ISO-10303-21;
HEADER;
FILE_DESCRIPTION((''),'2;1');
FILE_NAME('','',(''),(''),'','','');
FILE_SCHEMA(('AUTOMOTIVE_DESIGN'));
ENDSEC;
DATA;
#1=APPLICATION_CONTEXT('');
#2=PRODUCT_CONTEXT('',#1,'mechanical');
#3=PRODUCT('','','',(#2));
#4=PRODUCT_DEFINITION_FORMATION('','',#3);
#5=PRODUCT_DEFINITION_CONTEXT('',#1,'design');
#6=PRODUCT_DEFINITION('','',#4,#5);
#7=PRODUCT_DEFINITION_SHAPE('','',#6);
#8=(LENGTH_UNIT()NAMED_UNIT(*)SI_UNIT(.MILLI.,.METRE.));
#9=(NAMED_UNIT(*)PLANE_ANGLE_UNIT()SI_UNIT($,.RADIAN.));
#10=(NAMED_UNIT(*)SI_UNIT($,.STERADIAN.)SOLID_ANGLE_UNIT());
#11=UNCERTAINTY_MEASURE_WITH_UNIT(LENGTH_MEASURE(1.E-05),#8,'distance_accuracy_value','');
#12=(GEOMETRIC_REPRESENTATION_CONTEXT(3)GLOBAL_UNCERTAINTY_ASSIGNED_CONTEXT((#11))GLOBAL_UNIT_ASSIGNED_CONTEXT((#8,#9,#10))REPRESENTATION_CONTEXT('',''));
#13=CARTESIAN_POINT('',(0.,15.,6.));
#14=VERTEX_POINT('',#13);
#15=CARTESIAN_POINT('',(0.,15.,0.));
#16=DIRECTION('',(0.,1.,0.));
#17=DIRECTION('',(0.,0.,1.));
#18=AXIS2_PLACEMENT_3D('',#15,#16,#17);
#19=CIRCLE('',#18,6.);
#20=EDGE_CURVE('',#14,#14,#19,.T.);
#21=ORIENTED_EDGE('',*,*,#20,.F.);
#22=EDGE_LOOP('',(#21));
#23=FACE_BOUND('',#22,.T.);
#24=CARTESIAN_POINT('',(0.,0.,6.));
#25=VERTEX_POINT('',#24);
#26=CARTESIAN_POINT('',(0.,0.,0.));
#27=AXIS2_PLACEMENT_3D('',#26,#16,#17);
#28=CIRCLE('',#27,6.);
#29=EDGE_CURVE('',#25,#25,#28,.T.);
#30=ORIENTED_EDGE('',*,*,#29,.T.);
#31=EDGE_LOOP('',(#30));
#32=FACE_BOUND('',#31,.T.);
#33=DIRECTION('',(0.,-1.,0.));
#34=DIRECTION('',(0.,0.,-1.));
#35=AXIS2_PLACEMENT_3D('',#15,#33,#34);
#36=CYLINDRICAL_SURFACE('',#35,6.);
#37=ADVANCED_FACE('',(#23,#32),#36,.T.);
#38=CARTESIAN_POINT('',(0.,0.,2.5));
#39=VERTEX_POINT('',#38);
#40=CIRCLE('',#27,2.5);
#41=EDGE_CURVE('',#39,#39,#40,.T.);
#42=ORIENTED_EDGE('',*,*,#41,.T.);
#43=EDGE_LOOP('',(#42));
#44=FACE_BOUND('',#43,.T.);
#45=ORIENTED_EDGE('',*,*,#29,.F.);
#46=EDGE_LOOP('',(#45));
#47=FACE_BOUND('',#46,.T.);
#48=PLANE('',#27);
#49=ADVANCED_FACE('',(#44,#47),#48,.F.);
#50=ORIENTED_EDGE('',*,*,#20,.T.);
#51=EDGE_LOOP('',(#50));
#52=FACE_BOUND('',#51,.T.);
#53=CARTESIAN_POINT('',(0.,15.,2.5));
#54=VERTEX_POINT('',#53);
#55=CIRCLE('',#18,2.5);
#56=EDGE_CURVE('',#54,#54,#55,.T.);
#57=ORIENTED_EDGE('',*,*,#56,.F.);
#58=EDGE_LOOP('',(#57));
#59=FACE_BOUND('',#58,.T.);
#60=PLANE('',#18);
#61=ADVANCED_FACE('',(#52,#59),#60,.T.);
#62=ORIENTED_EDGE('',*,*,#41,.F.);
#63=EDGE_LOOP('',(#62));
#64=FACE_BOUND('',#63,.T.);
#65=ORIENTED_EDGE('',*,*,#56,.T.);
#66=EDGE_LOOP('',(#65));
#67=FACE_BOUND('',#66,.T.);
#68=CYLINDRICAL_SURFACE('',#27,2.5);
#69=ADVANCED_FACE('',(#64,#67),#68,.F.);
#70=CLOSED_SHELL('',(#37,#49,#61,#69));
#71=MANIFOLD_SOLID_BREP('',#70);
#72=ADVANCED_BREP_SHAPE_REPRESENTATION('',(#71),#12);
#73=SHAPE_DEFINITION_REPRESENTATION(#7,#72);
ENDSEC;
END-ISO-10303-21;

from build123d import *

# Parameters (mm, degrees)
SKETCH1_R           = 6
BOSS_EXTRUDE1_DEPTH = 15
SKETCH4_R           = 2.5
CUT_EXTRUDE2_DEPTH  = 18.23368794


with BuildPart() as part:
    # Sketch1 → Boss-Extrude1 (new body)
    with BuildSketch(Plane(origin=(0, 0, 0), x_dir=(1, 0, 0), z_dir=(0, 1, 0))):
        with Locations(Location((0, 0, 0), (0, 0, 270))):
            Circle(SKETCH1_R)
    extrude(amount=BOSS_EXTRUDE1_DEPTH)

    # Sketch4 → Cut-Extrude2 (cut, through all)
    with BuildSketch(Plane(origin=(0, 15, 0), x_dir=(1, 0, 0), z_dir=(0, 1, 0))):
        with Locations(Location((0, 0, 0), (0, 0, 270))):
            Circle(SKETCH4_R)
    extrude(amount=-CUT_EXTRUDE2_DEPTH, mode=Mode.SUBTRACT)


solid = part.part
